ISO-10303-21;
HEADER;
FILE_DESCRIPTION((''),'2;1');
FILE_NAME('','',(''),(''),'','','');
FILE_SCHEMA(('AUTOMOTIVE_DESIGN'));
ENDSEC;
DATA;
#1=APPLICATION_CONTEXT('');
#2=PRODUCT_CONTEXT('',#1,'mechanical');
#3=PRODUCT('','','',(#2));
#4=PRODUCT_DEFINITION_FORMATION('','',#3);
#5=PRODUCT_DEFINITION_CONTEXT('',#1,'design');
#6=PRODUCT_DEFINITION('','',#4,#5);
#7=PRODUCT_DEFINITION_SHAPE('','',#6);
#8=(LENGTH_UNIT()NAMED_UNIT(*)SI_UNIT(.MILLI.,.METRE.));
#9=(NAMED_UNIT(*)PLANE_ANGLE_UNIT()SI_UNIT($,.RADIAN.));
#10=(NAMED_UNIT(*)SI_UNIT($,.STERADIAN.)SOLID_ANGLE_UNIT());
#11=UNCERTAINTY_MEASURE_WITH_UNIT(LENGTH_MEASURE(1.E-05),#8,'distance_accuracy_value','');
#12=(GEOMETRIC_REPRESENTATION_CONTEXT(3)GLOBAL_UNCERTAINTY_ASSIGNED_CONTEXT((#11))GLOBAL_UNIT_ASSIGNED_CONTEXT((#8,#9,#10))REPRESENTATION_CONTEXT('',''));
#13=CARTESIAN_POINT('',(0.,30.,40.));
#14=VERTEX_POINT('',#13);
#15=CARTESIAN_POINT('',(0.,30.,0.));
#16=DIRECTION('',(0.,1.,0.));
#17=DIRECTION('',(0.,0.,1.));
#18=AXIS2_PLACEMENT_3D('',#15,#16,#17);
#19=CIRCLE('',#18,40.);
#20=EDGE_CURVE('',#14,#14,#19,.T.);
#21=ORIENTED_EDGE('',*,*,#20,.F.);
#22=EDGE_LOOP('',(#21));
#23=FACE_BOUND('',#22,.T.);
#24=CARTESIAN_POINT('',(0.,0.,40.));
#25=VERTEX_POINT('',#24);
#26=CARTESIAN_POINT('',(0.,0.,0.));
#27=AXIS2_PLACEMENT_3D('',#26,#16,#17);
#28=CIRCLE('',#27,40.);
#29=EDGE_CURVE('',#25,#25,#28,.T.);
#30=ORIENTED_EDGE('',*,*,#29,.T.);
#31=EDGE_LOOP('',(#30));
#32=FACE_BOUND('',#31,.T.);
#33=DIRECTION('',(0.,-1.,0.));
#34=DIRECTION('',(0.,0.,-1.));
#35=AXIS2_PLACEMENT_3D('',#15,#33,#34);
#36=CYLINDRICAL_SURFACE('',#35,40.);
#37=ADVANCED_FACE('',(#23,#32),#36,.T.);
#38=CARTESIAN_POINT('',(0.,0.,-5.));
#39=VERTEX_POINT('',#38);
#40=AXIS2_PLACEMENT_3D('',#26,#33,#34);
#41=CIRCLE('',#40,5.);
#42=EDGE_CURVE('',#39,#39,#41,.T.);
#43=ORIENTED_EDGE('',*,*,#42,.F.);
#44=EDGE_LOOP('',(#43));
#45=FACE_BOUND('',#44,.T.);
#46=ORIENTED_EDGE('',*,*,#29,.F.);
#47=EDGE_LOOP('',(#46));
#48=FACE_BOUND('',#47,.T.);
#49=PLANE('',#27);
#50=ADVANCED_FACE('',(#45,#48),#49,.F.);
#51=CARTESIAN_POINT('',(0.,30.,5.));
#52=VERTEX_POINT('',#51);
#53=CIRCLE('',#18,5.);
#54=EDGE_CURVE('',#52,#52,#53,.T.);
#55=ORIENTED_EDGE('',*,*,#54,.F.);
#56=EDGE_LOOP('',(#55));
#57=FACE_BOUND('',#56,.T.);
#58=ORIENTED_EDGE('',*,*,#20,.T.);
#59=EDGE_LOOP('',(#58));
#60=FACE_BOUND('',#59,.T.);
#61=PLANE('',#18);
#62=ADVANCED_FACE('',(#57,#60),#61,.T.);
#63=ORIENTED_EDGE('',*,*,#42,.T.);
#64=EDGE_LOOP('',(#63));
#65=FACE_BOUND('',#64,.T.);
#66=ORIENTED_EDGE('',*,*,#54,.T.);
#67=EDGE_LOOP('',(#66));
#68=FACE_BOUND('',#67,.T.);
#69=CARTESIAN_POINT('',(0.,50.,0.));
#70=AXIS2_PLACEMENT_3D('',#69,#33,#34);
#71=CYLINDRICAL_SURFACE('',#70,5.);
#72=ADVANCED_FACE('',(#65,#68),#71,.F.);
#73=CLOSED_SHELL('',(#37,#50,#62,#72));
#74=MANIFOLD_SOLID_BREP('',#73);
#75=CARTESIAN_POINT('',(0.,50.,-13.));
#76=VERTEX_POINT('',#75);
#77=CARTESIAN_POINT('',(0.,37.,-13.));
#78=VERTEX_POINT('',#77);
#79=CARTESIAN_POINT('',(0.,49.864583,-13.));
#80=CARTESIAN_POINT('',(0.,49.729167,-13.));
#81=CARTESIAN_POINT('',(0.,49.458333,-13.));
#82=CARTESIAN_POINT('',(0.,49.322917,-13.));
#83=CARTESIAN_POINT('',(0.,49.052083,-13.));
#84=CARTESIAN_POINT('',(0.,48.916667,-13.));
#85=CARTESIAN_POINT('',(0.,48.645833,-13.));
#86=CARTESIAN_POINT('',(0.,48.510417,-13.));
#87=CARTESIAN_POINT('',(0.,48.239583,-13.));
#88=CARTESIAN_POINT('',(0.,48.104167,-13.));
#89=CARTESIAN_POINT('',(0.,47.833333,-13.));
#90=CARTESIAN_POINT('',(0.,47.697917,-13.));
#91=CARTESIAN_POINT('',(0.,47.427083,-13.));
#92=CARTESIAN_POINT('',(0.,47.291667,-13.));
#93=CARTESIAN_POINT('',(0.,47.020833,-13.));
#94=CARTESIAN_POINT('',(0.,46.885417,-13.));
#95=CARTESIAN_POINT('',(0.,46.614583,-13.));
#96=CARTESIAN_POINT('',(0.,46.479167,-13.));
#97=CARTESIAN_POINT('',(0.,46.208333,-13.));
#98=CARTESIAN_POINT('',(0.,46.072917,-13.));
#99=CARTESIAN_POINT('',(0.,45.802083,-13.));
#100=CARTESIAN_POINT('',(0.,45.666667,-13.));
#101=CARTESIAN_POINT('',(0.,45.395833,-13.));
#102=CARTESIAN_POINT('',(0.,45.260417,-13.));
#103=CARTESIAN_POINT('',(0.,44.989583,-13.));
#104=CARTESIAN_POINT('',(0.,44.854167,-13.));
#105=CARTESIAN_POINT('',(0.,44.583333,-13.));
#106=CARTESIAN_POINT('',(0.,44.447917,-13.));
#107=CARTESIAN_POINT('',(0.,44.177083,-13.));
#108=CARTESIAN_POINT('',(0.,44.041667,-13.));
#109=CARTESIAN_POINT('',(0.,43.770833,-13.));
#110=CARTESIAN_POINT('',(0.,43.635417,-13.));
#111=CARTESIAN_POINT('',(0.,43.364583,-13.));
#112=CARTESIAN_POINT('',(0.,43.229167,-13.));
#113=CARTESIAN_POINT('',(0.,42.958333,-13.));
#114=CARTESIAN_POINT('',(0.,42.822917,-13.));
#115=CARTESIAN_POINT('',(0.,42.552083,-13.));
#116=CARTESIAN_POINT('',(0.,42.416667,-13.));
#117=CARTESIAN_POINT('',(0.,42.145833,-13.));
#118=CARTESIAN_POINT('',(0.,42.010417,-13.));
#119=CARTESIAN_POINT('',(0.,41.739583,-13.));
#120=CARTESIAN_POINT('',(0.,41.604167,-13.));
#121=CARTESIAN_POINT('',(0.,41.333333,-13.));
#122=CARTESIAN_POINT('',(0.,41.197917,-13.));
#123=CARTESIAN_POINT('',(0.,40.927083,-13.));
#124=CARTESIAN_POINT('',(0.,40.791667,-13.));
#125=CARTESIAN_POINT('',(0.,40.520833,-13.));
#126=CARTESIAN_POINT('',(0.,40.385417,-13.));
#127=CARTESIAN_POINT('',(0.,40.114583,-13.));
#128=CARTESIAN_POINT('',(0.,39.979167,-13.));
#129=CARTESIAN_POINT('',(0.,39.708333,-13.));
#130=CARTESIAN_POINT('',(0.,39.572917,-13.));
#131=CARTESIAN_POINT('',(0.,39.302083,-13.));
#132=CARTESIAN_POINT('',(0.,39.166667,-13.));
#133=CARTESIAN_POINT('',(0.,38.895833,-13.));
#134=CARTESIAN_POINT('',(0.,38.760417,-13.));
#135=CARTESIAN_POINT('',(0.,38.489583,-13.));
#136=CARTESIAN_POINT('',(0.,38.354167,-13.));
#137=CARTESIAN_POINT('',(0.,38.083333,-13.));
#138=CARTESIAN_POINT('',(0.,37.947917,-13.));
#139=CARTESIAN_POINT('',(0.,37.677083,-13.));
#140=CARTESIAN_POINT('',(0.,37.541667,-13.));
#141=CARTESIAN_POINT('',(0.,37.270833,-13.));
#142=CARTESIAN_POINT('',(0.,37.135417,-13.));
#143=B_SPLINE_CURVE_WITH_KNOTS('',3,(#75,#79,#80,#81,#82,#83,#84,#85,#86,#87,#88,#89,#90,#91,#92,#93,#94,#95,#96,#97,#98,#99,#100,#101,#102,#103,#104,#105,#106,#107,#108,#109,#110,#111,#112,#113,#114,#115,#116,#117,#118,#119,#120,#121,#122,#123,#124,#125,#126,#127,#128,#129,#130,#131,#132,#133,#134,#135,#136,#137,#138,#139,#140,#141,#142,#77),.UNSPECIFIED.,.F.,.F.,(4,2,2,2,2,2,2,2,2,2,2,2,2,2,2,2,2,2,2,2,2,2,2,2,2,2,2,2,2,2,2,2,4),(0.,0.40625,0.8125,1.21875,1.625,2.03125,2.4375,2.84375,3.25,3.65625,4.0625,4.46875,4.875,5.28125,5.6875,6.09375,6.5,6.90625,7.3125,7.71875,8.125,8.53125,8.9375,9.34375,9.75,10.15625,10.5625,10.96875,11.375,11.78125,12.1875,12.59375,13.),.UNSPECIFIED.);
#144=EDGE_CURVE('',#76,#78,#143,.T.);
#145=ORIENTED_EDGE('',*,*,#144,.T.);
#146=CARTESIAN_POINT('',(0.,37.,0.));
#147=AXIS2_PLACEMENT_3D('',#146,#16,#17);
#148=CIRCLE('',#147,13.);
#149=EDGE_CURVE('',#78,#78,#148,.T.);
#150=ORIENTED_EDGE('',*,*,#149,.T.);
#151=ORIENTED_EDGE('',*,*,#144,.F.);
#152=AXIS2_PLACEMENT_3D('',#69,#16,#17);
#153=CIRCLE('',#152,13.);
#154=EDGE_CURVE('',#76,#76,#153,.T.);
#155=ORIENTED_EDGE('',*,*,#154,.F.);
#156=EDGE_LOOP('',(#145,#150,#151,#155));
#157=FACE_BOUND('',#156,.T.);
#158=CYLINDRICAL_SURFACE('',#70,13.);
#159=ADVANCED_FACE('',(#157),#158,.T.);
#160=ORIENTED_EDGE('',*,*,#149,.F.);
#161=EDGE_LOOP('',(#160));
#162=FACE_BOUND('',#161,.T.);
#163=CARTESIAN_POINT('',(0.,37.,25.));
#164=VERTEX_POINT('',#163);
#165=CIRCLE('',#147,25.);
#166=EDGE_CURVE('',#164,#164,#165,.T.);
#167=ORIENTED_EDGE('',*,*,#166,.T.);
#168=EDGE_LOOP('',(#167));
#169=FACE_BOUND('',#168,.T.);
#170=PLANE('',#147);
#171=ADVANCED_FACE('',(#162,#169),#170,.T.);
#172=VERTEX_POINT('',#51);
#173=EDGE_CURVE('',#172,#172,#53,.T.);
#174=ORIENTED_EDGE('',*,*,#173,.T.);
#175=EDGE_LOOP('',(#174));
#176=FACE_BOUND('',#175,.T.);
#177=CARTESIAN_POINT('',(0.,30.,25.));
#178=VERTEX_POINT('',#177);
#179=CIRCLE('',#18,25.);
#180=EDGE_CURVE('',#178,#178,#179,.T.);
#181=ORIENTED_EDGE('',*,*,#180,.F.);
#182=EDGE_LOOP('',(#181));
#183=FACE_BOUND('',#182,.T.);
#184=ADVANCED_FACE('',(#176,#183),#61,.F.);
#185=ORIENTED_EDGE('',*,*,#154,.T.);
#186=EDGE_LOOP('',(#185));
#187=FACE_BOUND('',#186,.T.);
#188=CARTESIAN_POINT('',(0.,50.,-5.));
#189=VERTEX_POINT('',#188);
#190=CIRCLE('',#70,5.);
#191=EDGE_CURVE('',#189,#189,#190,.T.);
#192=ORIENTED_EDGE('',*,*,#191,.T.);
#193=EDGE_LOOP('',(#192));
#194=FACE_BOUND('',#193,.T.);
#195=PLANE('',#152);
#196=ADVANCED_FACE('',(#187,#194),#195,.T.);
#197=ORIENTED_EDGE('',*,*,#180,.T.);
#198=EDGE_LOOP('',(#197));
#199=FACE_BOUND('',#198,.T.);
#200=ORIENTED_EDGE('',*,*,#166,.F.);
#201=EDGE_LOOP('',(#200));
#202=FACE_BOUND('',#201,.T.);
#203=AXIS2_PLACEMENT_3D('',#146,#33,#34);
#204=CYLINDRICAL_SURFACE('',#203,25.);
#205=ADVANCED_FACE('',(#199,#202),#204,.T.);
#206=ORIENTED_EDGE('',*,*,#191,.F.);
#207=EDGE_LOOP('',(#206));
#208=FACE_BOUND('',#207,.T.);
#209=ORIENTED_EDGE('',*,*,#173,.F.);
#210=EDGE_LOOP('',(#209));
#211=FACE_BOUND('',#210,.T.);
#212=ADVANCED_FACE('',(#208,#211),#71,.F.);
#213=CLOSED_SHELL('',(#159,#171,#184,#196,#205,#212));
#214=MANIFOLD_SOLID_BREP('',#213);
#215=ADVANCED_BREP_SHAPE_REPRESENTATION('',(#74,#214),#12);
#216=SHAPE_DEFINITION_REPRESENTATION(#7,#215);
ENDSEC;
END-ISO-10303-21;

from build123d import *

# Parameters (mm, degrees)
SKETCH1_R           = 40
BOSS_EXTRUDE1_DEPTH = 30
SKETCH2_R           = 25
BOSS_EXTRUDE3_DEPTH = 7
SKETCH3_R           = 13
BOSS_EXTRUDE4_DEPTH = 13
SKETCH4_R           = 5
CUT_EXTRUDE2_DEPTH  = 50


with BuildPart() as part:
    # Sketch1 → Boss-Extrude1 (new body)
    with BuildSketch(Plane(origin=(0, 0, 0), x_dir=(1, 0, 0), z_dir=(0, 1, 0))):
        with Locations(Location((0, 0, 0), (0, 0, 270))):
            Circle(SKETCH1_R)
    extrude(amount=BOSS_EXTRUDE1_DEPTH)


with BuildPart() as body_2:
    # Sketch2 → Boss-Extrude3 (new body)
    with BuildSketch(Plane(origin=(0, 30, 0), x_dir=(1, 0, 0), z_dir=(0, 1, 0))):
        with Locations(Location((0, 0, 0), (0, 0, 270))):
            Circle(SKETCH2_R)
    extrude(amount=BOSS_EXTRUDE3_DEPTH)

    # Sketch3 → Boss-Extrude4 (add)
    with BuildSketch(Plane(origin=(0, 37, 0), x_dir=(1, 0, 0), z_dir=(0, 1, 0))):
        with Locations(Location((0, 0, 0), (0, 0, 90))):
            Circle(SKETCH3_R)
    extrude(amount=BOSS_EXTRUDE4_DEPTH)


with BuildPart() as cut_extrude2_tool:
    # Sketch4 → Cut-Extrude2 (new body)
    with BuildSketch(Plane.XZ):
        with Locations(Location((0, 0, 0), (0, 0, 270))):
            Circle(SKETCH4_R)
    extrude(amount=-CUT_EXTRUDE2_DEPTH)


with BuildPart() as part_1:
    add(part.part)

    # Cut-Extrude2: cut by cut_extrude2_tool
    add(cut_extrude2_tool.part, mode=Mode.SUBTRACT)


with BuildPart() as body_2_1:
    add(body_2.part)

    # Cut-Extrude2: cut by cut_extrude2_tool
    add(cut_extrude2_tool.part, mode=Mode.SUBTRACT)


solid = Compound([part_1.part, body_2_1.part])
